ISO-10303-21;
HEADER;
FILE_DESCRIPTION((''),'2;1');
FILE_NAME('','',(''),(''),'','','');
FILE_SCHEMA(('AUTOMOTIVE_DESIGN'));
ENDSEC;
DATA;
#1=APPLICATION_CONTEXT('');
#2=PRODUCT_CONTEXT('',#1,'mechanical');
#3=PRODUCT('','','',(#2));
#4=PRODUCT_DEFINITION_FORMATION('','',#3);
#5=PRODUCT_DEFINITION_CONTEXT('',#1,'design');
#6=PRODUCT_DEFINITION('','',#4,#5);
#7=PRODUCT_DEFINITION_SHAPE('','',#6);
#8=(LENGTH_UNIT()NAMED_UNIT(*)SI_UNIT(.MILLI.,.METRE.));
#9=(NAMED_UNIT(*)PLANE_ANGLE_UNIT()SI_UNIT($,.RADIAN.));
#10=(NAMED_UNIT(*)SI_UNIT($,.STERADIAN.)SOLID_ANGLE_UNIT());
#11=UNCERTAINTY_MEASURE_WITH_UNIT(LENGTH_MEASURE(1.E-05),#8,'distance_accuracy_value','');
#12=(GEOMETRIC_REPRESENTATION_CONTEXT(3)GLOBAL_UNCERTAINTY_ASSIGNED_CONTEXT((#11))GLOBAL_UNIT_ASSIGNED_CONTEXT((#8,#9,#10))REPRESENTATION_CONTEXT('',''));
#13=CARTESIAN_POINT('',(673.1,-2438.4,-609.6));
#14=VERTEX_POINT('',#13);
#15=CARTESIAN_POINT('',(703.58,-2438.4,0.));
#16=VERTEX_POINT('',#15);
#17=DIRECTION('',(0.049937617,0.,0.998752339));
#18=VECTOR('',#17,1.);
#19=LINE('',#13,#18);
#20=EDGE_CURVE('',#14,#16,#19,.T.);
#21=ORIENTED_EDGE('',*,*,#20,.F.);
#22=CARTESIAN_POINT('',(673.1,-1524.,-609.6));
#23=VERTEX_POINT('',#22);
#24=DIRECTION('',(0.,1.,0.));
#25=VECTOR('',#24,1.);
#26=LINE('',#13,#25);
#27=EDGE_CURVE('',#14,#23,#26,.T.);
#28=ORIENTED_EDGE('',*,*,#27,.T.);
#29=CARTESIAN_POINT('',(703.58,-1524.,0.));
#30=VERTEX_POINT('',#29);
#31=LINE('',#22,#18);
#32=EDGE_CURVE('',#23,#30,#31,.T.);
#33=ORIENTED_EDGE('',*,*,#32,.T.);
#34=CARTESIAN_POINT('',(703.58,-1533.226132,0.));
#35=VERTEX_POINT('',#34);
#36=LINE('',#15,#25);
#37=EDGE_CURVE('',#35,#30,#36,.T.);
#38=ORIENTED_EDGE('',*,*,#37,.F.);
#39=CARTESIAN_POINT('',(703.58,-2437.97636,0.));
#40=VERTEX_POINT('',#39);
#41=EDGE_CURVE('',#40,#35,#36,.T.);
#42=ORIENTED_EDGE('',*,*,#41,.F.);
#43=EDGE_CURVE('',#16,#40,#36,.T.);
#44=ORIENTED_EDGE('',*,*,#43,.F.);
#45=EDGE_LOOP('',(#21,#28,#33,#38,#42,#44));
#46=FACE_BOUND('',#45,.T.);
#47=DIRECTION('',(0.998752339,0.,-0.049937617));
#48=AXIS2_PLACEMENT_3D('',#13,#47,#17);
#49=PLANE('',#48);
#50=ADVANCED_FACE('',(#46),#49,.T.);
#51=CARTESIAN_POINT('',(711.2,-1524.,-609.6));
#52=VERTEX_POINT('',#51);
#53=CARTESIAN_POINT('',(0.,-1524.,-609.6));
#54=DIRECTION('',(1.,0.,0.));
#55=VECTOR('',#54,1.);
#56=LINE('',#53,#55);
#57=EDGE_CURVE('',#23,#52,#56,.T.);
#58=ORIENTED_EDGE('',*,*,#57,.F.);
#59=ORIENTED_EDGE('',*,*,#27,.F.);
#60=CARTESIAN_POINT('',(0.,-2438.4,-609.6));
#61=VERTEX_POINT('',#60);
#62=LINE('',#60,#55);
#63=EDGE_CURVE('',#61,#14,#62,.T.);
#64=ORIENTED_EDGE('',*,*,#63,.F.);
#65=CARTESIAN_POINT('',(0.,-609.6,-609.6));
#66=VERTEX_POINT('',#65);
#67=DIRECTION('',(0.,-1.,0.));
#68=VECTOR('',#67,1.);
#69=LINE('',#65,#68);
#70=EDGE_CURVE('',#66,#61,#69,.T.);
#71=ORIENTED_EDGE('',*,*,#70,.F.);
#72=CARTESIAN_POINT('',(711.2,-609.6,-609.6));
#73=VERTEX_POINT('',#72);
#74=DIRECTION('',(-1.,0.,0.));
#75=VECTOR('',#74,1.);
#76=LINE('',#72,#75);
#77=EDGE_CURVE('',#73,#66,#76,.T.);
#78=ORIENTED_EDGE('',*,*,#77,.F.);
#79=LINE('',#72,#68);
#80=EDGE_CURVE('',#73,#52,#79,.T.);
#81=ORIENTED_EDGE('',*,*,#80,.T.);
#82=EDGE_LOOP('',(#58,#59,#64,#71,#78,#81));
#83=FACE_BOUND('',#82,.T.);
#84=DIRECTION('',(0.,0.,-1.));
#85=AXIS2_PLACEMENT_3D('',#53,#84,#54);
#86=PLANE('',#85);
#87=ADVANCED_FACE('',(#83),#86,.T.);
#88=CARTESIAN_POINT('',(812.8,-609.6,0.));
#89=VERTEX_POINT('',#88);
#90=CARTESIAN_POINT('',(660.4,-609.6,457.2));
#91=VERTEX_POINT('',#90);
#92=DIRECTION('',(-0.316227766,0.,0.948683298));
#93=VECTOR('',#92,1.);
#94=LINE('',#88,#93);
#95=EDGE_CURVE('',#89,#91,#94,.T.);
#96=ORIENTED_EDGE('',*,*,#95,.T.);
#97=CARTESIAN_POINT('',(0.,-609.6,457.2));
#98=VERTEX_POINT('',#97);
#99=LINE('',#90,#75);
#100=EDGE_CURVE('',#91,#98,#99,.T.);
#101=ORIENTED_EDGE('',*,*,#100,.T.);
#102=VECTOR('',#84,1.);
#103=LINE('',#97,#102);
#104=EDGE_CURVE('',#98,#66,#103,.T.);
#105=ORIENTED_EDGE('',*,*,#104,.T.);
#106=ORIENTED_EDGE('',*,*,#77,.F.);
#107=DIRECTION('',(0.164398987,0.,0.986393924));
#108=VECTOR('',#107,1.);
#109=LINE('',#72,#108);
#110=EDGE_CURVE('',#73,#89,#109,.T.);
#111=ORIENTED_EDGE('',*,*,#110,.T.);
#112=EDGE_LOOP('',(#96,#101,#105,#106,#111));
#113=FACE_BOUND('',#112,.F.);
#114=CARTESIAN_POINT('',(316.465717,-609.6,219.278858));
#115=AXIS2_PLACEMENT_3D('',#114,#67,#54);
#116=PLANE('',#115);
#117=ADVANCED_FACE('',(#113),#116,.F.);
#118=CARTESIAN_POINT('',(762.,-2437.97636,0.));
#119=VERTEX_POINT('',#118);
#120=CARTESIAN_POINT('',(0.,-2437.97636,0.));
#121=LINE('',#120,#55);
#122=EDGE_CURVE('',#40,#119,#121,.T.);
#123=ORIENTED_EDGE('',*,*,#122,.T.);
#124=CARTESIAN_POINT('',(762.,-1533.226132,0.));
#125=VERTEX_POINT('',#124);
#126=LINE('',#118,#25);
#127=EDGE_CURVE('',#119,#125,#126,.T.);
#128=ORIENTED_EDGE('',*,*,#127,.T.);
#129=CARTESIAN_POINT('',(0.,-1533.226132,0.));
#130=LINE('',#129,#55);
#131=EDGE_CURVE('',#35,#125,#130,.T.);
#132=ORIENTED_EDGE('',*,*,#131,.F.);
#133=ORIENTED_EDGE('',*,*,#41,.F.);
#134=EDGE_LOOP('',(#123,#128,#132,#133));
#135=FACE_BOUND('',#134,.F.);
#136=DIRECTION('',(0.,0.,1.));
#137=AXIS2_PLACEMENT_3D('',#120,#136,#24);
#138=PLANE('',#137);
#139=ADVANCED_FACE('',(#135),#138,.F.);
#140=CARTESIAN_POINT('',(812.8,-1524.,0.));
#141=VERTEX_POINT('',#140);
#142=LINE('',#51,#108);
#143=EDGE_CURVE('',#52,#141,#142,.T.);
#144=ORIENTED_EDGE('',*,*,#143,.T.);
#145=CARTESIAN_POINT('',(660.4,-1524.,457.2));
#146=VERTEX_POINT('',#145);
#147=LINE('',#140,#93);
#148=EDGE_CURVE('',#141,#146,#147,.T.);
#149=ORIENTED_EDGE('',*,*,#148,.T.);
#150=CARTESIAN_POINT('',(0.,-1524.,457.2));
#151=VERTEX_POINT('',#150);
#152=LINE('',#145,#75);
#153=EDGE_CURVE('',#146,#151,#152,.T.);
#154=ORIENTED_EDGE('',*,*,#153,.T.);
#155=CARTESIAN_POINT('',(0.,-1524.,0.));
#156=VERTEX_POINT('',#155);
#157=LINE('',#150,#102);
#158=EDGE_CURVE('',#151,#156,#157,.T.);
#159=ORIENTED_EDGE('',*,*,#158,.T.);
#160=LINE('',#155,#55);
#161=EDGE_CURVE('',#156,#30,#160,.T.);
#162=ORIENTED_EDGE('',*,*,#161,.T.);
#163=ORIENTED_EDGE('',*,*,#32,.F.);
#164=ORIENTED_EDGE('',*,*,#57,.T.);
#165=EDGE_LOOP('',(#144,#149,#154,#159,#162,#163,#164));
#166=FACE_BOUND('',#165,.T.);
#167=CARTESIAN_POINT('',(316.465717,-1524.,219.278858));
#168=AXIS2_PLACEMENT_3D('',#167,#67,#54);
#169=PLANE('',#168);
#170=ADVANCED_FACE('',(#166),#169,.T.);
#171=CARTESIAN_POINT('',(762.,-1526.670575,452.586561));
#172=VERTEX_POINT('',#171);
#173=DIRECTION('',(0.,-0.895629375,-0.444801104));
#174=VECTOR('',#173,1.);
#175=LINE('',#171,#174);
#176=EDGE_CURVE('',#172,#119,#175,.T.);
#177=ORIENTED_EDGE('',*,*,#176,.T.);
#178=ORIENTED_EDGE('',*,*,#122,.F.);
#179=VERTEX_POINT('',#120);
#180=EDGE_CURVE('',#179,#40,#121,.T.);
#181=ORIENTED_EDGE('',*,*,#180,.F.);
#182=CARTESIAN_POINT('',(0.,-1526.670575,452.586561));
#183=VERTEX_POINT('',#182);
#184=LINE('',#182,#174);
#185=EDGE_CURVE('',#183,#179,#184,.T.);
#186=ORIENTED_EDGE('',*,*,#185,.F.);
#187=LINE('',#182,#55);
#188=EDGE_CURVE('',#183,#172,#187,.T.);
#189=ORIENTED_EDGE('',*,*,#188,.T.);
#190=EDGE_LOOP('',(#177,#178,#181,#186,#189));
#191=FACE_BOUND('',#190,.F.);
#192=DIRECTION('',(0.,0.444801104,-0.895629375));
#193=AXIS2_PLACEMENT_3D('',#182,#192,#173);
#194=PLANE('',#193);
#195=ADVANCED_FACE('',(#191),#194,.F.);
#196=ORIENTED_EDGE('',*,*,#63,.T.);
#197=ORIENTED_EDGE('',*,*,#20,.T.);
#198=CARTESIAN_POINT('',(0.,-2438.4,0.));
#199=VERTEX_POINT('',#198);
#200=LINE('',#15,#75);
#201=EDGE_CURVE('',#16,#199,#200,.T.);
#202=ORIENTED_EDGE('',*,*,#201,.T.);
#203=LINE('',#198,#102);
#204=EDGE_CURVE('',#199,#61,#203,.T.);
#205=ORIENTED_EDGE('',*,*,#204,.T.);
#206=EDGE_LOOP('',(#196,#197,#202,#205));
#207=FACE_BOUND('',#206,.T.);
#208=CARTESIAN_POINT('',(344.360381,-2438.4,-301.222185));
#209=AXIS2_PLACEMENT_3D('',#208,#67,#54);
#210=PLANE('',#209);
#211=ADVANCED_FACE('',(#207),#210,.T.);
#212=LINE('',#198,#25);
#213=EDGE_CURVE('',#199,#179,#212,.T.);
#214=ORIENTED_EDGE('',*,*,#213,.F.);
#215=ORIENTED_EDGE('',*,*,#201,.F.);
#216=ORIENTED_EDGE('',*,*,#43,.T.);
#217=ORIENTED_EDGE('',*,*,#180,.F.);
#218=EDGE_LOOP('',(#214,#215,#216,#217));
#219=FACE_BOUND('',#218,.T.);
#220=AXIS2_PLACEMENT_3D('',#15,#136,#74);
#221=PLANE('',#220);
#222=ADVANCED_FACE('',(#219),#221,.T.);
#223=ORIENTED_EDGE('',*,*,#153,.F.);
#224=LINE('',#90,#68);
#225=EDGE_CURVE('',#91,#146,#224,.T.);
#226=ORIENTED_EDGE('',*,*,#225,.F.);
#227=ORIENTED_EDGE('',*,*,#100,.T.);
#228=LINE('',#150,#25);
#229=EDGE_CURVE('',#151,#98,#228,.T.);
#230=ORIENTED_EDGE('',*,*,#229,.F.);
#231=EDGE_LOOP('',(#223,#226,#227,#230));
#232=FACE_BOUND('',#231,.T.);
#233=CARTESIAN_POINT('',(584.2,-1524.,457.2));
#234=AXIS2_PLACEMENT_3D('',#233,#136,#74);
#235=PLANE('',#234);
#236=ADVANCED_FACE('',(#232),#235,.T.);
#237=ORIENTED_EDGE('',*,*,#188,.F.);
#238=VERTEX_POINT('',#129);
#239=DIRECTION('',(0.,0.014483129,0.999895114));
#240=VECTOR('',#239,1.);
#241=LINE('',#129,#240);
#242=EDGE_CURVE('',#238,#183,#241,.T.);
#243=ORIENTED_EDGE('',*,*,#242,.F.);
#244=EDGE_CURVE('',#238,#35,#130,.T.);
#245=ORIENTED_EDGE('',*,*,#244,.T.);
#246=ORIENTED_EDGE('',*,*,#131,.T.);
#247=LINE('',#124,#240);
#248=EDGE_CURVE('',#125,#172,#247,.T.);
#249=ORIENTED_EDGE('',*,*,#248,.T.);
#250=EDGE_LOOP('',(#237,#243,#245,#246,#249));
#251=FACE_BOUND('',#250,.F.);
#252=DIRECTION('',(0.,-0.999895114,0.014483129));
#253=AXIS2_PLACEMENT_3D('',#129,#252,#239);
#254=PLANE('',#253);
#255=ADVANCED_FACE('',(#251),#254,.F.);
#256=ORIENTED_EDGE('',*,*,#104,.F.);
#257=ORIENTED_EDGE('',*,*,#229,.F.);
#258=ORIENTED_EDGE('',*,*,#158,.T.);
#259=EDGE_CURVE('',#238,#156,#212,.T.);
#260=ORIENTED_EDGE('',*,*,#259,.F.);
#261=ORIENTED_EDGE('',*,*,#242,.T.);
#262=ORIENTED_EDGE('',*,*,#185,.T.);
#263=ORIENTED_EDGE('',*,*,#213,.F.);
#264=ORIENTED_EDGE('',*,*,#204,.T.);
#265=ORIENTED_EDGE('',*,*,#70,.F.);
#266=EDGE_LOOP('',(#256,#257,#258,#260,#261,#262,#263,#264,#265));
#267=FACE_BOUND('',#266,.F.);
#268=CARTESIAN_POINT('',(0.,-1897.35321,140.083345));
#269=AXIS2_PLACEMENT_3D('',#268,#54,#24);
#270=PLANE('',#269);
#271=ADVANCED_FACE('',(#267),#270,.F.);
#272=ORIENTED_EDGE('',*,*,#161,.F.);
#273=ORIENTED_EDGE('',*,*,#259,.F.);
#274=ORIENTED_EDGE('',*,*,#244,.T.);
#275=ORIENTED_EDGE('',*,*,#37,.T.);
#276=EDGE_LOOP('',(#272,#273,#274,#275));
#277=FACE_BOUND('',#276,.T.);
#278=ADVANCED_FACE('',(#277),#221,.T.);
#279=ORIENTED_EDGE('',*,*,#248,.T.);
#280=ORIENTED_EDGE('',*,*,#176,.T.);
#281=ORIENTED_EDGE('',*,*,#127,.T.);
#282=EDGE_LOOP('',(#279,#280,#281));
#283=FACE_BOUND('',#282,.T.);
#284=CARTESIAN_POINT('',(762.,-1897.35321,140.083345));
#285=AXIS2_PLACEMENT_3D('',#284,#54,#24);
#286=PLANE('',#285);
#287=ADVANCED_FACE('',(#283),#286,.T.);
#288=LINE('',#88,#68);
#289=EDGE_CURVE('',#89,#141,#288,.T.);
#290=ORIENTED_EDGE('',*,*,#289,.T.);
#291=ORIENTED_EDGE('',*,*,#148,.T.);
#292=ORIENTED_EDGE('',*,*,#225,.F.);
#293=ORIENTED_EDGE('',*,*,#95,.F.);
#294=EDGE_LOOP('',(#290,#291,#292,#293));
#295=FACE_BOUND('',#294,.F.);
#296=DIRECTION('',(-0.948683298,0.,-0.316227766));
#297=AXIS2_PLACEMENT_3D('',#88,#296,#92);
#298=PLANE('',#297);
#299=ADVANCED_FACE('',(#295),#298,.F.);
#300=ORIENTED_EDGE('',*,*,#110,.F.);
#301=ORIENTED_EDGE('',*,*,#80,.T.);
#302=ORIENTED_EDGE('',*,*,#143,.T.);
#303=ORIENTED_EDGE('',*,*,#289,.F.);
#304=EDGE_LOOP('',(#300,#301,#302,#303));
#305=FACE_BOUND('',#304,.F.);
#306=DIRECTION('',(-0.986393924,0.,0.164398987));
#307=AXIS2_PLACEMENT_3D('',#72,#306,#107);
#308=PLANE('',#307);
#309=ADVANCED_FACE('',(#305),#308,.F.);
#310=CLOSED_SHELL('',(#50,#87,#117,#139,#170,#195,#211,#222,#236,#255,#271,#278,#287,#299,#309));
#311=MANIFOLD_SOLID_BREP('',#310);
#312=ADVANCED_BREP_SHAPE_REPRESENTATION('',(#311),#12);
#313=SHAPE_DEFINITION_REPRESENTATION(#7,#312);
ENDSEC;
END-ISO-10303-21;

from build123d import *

# Parameters (mm, degrees)
F12_DEPTH = 914.4
F13_DEPTH = 914.4
F14_DEPTH = 762
F15_DEPTH = 914.4


with BuildPart() as f12:
    # F8 (on offset) → F12 (new body, through all)
    with BuildSketch(Plane.XZ.offset(2438.4)):
        Polygon((673.1, -609.6), (703.58, 0), (0, 0), (0, -609.6), align=None)
    extrude(amount=-F12_DEPTH)

    # F10 (on offset) → F13 (join, through all)
    with BuildSketch(Plane.XZ.offset(1524)):
        Polygon((0, 457.2), (0, 0), (673.1, 0), (584.2, 457.2), align=None)
        Polygon((673.1, 0), (0, 0), (0, -609.6), (609.6, -609.6), align=None)
    extrude(amount=-F13_DEPTH)

    # F11 (on Right) → F14 (join)
    with BuildSketch(Plane.YZ):
        Polygon((-1526.670575, 452.586561), (-2437.97636, 0), (-1533.226132, 0), align=None)
    extrude(amount=F14_DEPTH)

    # F9 (on offset) → F15 (join)
    with BuildSketch(Plane.XZ.offset(609.6)):
        Polygon((0, 457.2), (0, 0), (812.8, 0), (660.4, 457.2), align=None)
        Polygon((812.8, 0), (0, 0), (0, -609.6), (711.2, -609.6), align=None)
    extrude(amount=F15_DEPTH)


solid = f12.part
